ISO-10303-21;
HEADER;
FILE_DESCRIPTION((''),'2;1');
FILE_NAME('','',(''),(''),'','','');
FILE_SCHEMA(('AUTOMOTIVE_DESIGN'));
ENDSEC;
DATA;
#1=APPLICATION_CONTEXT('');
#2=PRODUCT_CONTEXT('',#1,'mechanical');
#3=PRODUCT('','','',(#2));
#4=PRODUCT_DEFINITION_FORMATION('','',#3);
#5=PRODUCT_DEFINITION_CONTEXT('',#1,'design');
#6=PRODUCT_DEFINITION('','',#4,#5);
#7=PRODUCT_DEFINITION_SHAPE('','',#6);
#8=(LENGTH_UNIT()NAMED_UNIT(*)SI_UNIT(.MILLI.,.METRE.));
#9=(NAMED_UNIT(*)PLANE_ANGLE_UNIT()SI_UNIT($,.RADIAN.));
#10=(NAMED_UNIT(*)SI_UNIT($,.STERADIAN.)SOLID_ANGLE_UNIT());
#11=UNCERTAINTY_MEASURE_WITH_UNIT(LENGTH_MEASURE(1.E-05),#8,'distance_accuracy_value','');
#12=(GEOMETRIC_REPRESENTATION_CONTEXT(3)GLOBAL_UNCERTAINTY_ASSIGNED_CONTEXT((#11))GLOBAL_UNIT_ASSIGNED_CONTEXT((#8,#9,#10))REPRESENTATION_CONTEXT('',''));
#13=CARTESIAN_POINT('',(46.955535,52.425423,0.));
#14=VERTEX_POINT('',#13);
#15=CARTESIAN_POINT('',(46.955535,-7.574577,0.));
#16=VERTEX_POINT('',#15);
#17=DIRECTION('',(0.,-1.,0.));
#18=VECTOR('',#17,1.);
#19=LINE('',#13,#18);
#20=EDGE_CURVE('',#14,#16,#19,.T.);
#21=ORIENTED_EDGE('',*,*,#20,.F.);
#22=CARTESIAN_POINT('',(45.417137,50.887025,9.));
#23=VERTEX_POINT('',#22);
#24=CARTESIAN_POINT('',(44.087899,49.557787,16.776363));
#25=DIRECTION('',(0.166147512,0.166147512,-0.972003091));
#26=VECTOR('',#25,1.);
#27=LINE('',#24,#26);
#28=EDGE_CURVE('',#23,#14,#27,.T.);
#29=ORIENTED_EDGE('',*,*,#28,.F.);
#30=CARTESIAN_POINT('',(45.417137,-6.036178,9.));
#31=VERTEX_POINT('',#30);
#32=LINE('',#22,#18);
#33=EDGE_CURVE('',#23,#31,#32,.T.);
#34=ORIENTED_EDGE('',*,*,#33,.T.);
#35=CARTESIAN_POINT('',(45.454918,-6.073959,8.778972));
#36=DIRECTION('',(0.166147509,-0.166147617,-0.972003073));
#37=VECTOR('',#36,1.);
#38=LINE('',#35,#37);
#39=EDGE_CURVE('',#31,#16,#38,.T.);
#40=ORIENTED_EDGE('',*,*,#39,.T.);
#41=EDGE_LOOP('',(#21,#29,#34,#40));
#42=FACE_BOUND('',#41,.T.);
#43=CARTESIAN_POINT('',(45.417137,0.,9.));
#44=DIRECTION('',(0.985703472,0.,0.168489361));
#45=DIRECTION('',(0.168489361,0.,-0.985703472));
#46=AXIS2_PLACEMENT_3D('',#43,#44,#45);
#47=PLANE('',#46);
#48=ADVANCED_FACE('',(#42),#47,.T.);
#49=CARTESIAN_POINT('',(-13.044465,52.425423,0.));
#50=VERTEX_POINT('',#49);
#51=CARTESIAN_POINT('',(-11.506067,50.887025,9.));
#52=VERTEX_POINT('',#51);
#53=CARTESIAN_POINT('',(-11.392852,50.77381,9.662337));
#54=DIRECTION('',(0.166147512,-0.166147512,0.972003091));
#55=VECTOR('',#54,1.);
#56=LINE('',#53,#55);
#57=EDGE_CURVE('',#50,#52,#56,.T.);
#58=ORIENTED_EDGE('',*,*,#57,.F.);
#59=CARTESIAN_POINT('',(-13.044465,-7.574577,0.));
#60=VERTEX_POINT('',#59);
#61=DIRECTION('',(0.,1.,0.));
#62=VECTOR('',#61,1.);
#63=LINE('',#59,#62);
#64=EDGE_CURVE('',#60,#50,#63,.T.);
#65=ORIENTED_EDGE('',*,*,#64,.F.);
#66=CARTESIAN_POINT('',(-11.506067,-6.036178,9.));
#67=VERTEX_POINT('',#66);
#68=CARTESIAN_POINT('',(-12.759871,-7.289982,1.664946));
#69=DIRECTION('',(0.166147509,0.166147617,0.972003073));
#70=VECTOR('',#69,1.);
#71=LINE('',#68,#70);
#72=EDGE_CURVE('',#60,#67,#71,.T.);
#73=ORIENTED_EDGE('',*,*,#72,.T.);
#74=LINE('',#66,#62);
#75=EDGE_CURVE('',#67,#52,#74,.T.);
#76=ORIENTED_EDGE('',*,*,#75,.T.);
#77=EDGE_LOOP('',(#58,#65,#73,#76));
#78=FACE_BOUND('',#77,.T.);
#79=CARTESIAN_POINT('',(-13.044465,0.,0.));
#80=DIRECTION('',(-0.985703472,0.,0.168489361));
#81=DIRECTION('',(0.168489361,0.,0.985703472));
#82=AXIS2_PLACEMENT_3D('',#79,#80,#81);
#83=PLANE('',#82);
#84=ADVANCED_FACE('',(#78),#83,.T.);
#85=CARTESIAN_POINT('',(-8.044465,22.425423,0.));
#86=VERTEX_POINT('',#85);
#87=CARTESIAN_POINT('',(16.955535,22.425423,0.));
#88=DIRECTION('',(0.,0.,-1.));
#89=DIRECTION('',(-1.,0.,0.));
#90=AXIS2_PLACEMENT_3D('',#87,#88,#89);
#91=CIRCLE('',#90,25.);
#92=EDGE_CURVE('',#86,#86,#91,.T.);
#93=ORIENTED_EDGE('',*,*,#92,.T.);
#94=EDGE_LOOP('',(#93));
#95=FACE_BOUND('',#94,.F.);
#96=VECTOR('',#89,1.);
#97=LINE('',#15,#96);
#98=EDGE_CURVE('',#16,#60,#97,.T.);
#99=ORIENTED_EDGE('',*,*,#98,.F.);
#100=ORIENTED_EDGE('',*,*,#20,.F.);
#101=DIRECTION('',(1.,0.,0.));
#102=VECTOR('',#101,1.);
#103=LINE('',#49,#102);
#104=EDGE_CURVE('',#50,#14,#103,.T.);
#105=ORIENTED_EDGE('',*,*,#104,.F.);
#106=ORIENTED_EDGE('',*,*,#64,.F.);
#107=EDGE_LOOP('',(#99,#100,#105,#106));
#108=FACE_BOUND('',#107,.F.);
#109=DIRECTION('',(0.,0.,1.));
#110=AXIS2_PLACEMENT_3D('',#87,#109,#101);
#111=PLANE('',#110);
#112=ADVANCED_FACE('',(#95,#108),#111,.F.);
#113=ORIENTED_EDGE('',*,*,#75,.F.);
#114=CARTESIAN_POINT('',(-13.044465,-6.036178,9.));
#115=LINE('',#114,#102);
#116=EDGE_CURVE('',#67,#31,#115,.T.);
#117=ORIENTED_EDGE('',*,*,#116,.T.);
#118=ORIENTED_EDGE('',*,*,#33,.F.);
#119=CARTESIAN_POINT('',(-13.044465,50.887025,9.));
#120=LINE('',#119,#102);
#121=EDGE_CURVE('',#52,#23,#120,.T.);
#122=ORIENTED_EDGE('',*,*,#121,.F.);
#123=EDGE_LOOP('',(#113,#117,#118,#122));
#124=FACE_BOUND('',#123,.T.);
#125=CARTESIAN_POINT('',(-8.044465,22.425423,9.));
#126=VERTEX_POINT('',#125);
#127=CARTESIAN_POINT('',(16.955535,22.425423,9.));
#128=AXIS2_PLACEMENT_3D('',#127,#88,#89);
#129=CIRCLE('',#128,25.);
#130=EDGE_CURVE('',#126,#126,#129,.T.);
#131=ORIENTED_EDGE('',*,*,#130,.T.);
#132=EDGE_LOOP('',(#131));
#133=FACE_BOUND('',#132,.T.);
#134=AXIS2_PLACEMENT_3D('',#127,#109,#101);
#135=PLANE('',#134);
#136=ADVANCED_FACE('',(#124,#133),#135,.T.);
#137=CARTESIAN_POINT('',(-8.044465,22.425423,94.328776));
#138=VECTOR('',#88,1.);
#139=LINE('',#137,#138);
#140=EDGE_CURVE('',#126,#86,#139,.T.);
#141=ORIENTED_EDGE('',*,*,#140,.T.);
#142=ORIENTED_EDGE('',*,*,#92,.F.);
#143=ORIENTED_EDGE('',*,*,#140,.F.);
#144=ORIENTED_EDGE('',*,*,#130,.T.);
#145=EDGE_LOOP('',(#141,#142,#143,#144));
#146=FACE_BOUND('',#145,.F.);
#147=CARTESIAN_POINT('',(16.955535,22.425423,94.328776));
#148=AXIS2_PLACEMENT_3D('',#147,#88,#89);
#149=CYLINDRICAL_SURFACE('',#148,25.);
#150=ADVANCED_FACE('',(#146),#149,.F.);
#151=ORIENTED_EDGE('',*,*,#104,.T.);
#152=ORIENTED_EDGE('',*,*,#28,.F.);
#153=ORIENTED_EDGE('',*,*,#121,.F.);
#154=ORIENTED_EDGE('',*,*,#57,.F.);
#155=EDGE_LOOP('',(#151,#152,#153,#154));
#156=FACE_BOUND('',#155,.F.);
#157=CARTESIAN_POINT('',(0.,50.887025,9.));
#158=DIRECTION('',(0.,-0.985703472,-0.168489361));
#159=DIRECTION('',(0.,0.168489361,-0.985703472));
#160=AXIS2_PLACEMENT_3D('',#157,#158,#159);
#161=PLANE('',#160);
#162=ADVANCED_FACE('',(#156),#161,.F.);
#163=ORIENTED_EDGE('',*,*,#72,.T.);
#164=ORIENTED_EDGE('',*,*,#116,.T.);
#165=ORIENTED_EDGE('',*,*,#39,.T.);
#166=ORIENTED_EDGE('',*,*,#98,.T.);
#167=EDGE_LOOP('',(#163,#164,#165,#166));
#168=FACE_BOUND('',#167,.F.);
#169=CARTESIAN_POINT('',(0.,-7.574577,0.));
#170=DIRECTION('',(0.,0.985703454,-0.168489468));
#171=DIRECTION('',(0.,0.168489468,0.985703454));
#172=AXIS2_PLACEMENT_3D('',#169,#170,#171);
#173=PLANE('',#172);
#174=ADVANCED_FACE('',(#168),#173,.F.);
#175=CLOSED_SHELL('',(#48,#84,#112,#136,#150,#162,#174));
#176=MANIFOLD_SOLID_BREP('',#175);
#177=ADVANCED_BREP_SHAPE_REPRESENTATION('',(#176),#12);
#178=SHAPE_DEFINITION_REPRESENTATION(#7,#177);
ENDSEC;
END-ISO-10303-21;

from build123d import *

# Parameters (mm, degrees)
F0_W     = 60
F0_H     = 60
F1_DEPTH = 9
F4_DEPTH = 25
F5_DEPTH = 50
F6_DEPTH = 55
F7_DEPTH = 25
F9_D     = 50


with BuildPart() as f1:
    # F0 (on Top) → F1 (new body)
    with BuildSketch(Plane.XY):
        with Locations((16.955535, 22.425423)):
            Rectangle(F0_W, F0_H)
    extrude(amount=F1_DEPTH)

    # F2 (on Right) → F4 (cut)
    with BuildSketch(Plane.YZ):
        Polygon((-7.574577, 9), (-7.574577, 0), (-6.036178, 9), align=None)
        Polygon((50.887025, 9), (52.425423, 0), (52.425423, 9), align=None)
    extrude(amount=-F4_DEPTH, mode=Mode.SUBTRACT)

    # F2 (on Right) → F5 (cut)
    with BuildSketch(Plane.YZ):
        Polygon((-7.574577, 9), (-7.574577, 0), (-6.036178, 9), align=None)
        Polygon((50.887025, 9), (52.425423, 0), (52.425423, 9), align=None)
    extrude(amount=F5_DEPTH, mode=Mode.SUBTRACT)

    # F3 (on Front) → F6 (cut)
    with BuildSketch(Plane.XZ):
        Polygon((-13.044465, 9), (-13.044465, 0), (-11.506067, 9), align=None)
        Polygon((45.417137, 9), (46.955535, 0), (46.955535, 9), align=None)
    extrude(amount=-F6_DEPTH, mode=Mode.SUBTRACT)

    # F3 (on Front) → F7 (cut)
    with BuildSketch(Plane.XZ):
        Polygon((-13.044465, 9), (-13.044465, 0), (-11.506067, 9), align=None)
        Polygon((45.417137, 9), (46.955535, 0), (46.955535, 9), align=None)
    extrude(amount=F7_DEPTH, mode=Mode.SUBTRACT)

    # F9 (through all)
    with Locations(Plane.XY.offset(9)):
        with Locations((16.955535, 22.425423)):
            Hole(F9_D / 2)


solid = f1.part
